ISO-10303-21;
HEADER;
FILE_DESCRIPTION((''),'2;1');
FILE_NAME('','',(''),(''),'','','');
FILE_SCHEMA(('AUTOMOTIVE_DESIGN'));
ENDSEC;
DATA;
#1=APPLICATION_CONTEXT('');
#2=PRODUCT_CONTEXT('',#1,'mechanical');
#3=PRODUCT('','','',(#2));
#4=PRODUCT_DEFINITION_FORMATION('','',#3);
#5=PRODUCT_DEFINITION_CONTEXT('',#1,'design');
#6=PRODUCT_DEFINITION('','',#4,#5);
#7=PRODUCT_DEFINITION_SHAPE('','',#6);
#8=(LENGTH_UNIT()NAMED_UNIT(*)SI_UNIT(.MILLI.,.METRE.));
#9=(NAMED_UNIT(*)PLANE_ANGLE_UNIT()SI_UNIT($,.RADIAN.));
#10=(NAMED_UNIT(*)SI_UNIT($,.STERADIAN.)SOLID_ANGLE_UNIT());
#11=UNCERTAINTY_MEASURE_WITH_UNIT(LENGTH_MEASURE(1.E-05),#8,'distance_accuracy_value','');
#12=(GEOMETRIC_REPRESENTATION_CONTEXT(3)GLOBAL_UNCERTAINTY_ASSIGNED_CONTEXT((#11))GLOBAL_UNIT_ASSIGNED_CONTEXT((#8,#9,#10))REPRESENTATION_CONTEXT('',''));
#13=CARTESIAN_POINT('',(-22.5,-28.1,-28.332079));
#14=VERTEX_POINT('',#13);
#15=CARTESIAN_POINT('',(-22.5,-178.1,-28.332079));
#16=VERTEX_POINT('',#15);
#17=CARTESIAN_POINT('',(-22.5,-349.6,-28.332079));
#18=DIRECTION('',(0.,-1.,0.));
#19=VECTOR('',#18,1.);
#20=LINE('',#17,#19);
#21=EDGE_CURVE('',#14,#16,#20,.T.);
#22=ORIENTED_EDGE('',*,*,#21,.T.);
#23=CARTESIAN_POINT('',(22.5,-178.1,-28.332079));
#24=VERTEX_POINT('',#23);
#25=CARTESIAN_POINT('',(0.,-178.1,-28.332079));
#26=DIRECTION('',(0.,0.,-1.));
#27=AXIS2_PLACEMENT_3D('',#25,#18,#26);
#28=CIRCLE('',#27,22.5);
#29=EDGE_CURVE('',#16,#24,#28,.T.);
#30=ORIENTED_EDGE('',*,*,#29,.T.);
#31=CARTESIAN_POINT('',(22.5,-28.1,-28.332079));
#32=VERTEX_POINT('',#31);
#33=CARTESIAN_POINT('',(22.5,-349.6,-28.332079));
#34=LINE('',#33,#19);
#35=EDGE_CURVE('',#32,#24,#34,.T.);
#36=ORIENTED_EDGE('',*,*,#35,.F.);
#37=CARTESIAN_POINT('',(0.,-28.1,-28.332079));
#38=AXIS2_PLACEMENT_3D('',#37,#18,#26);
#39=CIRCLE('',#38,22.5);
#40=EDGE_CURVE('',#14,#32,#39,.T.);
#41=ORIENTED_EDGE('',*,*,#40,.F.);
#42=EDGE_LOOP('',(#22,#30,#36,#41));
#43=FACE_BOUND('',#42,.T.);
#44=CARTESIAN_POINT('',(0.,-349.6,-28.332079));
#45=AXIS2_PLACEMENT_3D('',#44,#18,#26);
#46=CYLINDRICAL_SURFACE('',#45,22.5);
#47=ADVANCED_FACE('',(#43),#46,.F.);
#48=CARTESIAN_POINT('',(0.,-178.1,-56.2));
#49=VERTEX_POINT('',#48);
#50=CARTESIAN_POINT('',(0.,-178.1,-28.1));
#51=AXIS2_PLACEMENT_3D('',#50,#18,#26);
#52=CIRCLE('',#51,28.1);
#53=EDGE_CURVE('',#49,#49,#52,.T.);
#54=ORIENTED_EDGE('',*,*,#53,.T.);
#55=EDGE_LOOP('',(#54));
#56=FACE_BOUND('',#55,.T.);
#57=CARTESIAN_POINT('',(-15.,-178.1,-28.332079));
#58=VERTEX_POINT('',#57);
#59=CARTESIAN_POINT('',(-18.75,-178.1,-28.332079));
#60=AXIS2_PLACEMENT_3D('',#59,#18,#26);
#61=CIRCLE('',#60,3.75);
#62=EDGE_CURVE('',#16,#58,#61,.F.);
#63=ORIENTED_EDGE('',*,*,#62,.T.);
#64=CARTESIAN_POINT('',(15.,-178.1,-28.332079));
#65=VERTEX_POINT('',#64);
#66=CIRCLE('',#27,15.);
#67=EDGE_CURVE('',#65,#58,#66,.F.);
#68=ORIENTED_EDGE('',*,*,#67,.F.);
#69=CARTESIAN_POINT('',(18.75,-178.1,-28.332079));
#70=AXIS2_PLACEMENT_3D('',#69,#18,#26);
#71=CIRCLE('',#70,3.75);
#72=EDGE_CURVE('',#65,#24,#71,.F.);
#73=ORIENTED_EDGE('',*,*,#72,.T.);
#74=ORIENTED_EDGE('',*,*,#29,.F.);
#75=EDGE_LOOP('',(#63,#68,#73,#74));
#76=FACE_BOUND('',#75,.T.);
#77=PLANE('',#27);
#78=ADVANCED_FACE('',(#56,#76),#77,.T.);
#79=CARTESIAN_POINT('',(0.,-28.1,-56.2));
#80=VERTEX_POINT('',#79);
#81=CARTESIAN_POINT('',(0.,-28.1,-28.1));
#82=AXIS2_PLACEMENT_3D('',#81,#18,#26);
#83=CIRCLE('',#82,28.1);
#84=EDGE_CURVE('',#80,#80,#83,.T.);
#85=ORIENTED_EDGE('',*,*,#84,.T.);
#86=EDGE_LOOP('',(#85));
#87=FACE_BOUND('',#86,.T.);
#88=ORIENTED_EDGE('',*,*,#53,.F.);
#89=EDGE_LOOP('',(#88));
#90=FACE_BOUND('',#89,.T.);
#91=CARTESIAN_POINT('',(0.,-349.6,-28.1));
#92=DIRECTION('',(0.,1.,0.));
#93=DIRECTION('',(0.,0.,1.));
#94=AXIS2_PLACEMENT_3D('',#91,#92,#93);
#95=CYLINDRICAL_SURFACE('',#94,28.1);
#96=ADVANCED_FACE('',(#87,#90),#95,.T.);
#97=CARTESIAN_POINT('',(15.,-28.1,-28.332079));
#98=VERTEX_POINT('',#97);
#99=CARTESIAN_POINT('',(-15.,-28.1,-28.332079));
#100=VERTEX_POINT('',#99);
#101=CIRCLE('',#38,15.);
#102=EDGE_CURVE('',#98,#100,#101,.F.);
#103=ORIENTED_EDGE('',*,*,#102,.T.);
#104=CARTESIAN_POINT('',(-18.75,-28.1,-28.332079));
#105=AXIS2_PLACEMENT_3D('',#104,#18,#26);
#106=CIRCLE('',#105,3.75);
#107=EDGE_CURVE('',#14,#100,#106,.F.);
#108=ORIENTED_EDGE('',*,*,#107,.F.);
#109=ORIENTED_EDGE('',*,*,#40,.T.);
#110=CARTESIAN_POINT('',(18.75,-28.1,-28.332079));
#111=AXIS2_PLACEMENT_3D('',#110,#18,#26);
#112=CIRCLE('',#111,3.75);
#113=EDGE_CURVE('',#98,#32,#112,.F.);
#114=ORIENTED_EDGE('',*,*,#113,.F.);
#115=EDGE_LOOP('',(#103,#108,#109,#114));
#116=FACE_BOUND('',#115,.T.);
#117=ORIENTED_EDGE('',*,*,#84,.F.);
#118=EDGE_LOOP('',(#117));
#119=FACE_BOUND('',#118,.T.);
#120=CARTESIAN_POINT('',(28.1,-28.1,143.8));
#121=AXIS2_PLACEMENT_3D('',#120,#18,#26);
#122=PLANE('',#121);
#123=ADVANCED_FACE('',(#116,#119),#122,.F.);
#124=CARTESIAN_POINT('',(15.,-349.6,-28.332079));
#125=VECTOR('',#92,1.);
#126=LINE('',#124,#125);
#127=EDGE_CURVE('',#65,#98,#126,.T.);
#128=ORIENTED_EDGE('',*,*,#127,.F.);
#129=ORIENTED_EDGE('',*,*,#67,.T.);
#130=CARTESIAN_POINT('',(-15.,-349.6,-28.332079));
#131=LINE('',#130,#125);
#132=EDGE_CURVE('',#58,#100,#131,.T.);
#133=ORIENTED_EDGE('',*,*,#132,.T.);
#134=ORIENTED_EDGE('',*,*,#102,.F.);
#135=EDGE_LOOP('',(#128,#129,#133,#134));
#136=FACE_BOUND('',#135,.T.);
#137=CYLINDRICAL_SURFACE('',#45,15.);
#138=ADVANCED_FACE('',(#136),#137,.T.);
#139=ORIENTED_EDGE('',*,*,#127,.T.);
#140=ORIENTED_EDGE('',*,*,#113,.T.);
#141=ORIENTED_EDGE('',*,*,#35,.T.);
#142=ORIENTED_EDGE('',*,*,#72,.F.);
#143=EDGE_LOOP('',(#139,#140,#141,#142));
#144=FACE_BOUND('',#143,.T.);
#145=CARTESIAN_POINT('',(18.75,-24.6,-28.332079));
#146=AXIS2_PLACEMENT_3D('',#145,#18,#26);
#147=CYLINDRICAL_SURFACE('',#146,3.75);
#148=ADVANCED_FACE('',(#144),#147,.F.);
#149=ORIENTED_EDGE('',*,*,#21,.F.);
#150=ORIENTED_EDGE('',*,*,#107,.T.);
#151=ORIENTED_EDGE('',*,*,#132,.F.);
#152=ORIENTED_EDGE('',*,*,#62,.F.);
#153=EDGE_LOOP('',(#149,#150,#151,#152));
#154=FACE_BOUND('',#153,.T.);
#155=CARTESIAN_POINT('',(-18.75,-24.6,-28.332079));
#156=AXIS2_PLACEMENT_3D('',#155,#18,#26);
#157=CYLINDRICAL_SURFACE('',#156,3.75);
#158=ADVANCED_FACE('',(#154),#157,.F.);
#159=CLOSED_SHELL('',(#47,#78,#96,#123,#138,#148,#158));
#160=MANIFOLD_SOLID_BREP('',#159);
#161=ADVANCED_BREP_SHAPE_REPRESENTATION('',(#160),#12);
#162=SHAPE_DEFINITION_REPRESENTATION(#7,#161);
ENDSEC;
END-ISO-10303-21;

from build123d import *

# Parameters (mm, degrees)
SKETCH1_R           = 28.1
BOSS_EXTRUDE2_DEPTH = 61.3
SKETCH3_R           = 18.6
CUT_EXTRUDE2_DEPTH  = 58.8
SKETCH4_W           = 56.2
SKETCH4_H           = 56.2
BOSS_EXTRUDE3_DEPTH = 56.2
SKETCH5_R           = 16.1
CUT_EXTRUDE4_DEPTH  = 5
SKETCH6_W           = 49.797391422
SKETCH6_H           = 49.779255452
CUT_EXTRUDE5_DEPTH  = 53.7
SKETCH7_R           = 28.1
BOSS_EXTRUDE4_DEPTH = 321.5
CUT_EXTRUDE6_DEPTH  = 10
SKETCH9_R           = 3
CUT_EXTRUDE7_DEPTH  = 1
SKETCH10_R          = 6.025
CUT_EXTRUDE8_DEPTH  = 0.1
SKETCH18_R          = 3.75
CUT_EXTRUDE9_DEPTH  = 100
SKETCH19_R          = 3.75
CUT_EXTRUDE11_DEPTH = 325
SKETCH20_W          = 56.2
SKETCH20_H          = 56.2
CUT_EXTRUDE13_DEPTH = 200
SKETCH22_R          = 28.332078896
CUT_EXTRUDE15_DEPTH = 171.5


with BuildPart() as part:
    # Sketch1 → Boss-Extrude2 (new body)
    with BuildSketch(Plane.XY):
        Circle(SKETCH1_R)
    extrude(amount=BOSS_EXTRUDE2_DEPTH)

    # Sketch3 → Cut-Extrude2 (cut)
    with BuildSketch(Plane.XY.offset(61.3)):
        with Locations((0, -7)):
            Circle(SKETCH3_R)
    extrude(amount=-CUT_EXTRUDE2_DEPTH, mode=Mode.SUBTRACT)

    # Sketch4 → Boss-Extrude3 (add)
    with BuildSketch(Plane(origin=(0, 0, 0), x_dir=(-1, 0, 0), z_dir=(0, 0, -1))):
        Rectangle(SKETCH4_W, SKETCH4_H)
    extrude(amount=BOSS_EXTRUDE3_DEPTH)

    # Sketch5 → Cut-Extrude4 (cut)
    with BuildSketch(Plane.XY.offset(2.5)):
        with Locations((0, -7)):
            Circle(SKETCH5_R)
    extrude(amount=-CUT_EXTRUDE4_DEPTH, mode=Mode.SUBTRACT)

    # Sketch6 → Cut-Extrude5 (cut)
    with BuildSketch(Plane(origin=(0, 0, -56.2), x_dir=(-1, 0, 0), z_dir=(0, 0, -1))):
        Rectangle(SKETCH6_W, SKETCH6_H)
    extrude(amount=-CUT_EXTRUDE5_DEPTH, mode=Mode.SUBTRACT)

    # Sketch7 → Boss-Extrude4 (add)
    with BuildSketch(Plane(origin=(0, -28.1, 0), x_dir=(-1, 0, 0), z_dir=(0, -1, 0))):
        with Locations(Location((0, 28.1, 0), (0, 0, 90))):
            Circle(SKETCH7_R)
    extrude(amount=BOSS_EXTRUDE4_DEPTH)

    # Sketch8 → Cut-Extrude6 (cut)
    with BuildSketch(Plane(origin=(0, -349.6, 0), x_dir=(-1, 0, 0), z_dir=(0, -1, 0))):
        with BuildLine():
            Line((-1.658312395, 25.832078896), (1.658312395, 25.832078896))
            ThreePointArc((1.658312395, 25.832078896), (3, 28.332078896), (1.658312395, 30.832078896))
            Line((1.658312395, 30.832078896), (-1.658312395, 30.832078896))
            ThreePointArc((-1.658312395, 30.832078896), (-3, 28.332078896), (-1.658312395, 25.832078896))
        make_face()
    extrude(amount=-CUT_EXTRUDE6_DEPTH, mode=Mode.SUBTRACT)

    # Sketch9 → Cut-Extrude7 (cut)
    with BuildSketch(Plane(origin=(0, -349.6, 0), x_dir=(-1, 0, 0), z_dir=(0, -1, 0))):
        with Locations(Location((0, 28.332078896, 0), (0, 0, 90))):
            Circle(SKETCH9_R)
    extrude(amount=-CUT_EXTRUDE7_DEPTH, mode=Mode.SUBTRACT)

    # Sketch10 → Cut-Extrude8 (cut)
    with BuildSketch(Plane(origin=(0, -349.6, 0), x_dir=(-1, 0, 0), z_dir=(0, -1, 0))):
        with Locations(Location((0, 28.332078896, 0), (0, 0, 90))):
            Circle(SKETCH10_R)
    extrude(amount=-CUT_EXTRUDE8_DEPTH, mode=Mode.SUBTRACT)

    # Cut-Sweep4: sweep along a path in Sketch15
    with BuildLine(Plane(origin=(0, -349.6, 0), x_dir=(-1, 0, 0), z_dir=(0, -1, 0))) as cut_sweep4_path:
        ThreePointArc((15, 28.332078896), (0, 43.332078896), (-15, 28.332078896))
    # 3DSketch2 → Cut-Sweep4 (sweep, cut)
    with BuildSketch(Plane(origin=(-15, -349.6, -28.332078896), x_dir=(-0.022748965612757834, 0.999741208795331, 0), z_dir=(0, 0, 1))):
        Polygon((0, 0), (0.170617242, 7.498059066), (329.685319661, 0), (329.514702419, -7.498059066), align=None)
    sweep(path=cut_sweep4_path.line, mode=Mode.SUBTRACT)

    # Sketch18 → Cut-Extrude9 (cut)
    with BuildSketch(Plane.XY.offset(61.3)):
        with Locations((0, 18.75)):
            Circle(SKETCH18_R)
    extrude(amount=-CUT_EXTRUDE9_DEPTH, mode=Mode.SUBTRACT)

    # Sketch19 → Cut-Extrude11 (cut)
    with BuildSketch(Plane(origin=(0, -349.6, 0), x_dir=(-1, 0, 0), z_dir=(0, -1, 0))):
        with Locations((-18.75, 28.332078896)):
            Circle(SKETCH19_R)
        with Locations((18.75, 28.332078896)):
            Circle(SKETCH19_R)
    extrude(amount=-CUT_EXTRUDE11_DEPTH, mode=Mode.SUBTRACT)

    # Sketch20 → Cut-Extrude13 (cut)
    with BuildSketch(Plane(origin=(0, 0, -56.2), x_dir=(-1, 0, 0), z_dir=(0, 0, -1))):
        Rectangle(SKETCH20_W, SKETCH20_H)
    extrude(amount=-CUT_EXTRUDE13_DEPTH, mode=Mode.SUBTRACT)

    # Sketch22 → Cut-Extrude15 (cut)
    with BuildSketch(Plane(origin=(0, -349.6, 0), x_dir=(-1, 0, 0), z_dir=(0, -1, 0))):
        with Locations((0, 28.332078896)):
            Circle(SKETCH22_R)
    extrude(amount=-CUT_EXTRUDE15_DEPTH, mode=Mode.SUBTRACT)


solid = part.part
